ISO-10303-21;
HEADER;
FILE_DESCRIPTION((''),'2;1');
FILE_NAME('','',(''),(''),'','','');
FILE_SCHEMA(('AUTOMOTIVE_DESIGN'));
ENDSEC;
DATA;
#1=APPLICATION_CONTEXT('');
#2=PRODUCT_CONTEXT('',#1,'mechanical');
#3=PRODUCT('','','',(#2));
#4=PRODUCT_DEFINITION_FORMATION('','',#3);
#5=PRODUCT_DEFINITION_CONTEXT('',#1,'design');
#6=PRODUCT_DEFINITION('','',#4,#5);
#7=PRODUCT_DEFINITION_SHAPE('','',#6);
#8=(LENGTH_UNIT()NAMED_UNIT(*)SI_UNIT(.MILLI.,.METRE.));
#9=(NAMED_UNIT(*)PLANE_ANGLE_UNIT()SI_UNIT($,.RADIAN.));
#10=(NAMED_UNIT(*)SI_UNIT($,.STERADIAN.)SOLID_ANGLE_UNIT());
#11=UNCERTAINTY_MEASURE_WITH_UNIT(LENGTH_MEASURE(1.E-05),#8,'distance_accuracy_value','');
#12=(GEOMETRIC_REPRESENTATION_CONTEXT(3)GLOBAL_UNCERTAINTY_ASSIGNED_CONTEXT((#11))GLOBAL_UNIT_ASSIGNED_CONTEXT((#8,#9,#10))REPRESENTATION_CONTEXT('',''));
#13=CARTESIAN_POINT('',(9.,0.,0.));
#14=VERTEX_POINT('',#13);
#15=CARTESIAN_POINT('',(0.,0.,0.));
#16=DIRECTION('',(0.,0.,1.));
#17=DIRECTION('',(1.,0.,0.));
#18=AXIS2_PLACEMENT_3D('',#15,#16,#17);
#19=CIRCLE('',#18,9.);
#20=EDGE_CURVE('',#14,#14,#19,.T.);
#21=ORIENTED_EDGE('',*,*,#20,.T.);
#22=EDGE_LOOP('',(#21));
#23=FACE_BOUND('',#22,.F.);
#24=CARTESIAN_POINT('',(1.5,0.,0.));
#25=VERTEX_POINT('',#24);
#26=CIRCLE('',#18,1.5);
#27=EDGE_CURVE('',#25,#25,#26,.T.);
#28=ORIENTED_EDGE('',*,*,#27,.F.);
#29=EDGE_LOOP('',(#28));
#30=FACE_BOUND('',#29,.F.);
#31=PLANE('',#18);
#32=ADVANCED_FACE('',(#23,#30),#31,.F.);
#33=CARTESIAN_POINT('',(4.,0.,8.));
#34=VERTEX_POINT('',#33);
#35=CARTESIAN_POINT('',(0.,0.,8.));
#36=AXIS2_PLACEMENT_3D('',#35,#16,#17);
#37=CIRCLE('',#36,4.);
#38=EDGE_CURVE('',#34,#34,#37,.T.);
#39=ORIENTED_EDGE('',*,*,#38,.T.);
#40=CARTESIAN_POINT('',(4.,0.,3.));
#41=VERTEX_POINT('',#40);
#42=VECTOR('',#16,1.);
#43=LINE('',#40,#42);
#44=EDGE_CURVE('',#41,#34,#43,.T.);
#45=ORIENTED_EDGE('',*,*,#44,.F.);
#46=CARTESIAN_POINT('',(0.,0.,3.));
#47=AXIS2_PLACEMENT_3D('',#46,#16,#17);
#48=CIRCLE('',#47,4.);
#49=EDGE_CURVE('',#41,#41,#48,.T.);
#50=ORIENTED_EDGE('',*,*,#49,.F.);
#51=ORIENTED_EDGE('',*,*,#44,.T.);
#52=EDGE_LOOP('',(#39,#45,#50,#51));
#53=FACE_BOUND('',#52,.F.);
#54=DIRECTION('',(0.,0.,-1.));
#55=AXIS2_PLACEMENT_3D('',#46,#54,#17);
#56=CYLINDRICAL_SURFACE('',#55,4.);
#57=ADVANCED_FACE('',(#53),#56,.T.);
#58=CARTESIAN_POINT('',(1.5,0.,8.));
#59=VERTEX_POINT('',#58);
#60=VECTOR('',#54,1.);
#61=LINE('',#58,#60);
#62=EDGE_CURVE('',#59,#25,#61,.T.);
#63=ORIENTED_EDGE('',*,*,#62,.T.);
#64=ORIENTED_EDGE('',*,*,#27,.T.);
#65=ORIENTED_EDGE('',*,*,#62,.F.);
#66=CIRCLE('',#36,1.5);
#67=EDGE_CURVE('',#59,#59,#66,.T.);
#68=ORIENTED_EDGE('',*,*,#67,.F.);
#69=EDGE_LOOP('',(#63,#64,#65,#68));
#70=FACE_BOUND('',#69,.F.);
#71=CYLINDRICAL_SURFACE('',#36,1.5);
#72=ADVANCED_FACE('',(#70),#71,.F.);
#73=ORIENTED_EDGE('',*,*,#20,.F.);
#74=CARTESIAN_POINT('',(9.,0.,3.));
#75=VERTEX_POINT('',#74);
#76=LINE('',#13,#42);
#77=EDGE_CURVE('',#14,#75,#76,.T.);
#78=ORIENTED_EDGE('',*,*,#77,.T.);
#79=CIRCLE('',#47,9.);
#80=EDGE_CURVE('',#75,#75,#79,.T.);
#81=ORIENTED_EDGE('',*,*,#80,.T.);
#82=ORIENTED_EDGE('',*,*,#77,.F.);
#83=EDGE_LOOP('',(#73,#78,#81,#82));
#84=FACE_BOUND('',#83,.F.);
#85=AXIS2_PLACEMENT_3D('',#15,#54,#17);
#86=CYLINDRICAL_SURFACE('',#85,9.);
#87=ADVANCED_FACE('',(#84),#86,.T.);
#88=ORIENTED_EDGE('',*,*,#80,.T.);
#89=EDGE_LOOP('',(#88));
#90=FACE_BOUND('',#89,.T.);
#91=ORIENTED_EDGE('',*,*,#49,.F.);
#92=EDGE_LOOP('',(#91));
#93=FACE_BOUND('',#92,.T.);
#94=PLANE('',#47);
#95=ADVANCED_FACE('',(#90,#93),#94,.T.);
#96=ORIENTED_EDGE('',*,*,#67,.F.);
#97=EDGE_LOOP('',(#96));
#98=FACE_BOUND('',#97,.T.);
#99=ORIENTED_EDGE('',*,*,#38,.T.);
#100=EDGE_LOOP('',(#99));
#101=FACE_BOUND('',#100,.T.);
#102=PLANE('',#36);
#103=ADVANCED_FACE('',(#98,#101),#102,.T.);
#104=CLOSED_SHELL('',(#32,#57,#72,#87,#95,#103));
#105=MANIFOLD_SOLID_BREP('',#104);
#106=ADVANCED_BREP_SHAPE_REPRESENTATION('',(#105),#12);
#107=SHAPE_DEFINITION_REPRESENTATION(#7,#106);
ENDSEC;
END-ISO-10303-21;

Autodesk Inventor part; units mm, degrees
ref_plane "YZ Plane" through (0, 0, 0) normal (1, 0, 0) x (0, 1, 0)
ref_plane "XZ Plane" through (0, 0, 0) normal (0, 1, 0) x (-1, 0, 0)
ref_plane "XY Plane" through (0, 0, 0) normal (0, 0, 1) x (1, 0, 0)
sketch "スケッチ1" plane through (0, 0, 0) normal (0, 0, 1) x (1, 0, 0)
  circle A0 centre (0, 0) radius 9
  dimension "d0" = 18
extrude "押し出し1" add sketch "スケッチ1" along normal blind 3
sketch "スケッチ2" plane through (0, 0, 3) normal (0, 0, 1) x (1, 0, 0)
  circle A0 centre (0, 0) radius 4
  dimension "d3" = 8
extrude "押し出し2" add sketch "スケッチ2" along normal blind 5
sketch "スケッチ3" plane through (0, 0, 8) normal (0, 0, 1) x (1, 0, 0)
  circle A0 centre (0, 0) radius 1.5
  dimension "d6" = 3
extrude "押し出し3" cut sketch "スケッチ3" against normal blind 10
properties part number "S50D 36B－0303" material "アセタール樹脂、白"
